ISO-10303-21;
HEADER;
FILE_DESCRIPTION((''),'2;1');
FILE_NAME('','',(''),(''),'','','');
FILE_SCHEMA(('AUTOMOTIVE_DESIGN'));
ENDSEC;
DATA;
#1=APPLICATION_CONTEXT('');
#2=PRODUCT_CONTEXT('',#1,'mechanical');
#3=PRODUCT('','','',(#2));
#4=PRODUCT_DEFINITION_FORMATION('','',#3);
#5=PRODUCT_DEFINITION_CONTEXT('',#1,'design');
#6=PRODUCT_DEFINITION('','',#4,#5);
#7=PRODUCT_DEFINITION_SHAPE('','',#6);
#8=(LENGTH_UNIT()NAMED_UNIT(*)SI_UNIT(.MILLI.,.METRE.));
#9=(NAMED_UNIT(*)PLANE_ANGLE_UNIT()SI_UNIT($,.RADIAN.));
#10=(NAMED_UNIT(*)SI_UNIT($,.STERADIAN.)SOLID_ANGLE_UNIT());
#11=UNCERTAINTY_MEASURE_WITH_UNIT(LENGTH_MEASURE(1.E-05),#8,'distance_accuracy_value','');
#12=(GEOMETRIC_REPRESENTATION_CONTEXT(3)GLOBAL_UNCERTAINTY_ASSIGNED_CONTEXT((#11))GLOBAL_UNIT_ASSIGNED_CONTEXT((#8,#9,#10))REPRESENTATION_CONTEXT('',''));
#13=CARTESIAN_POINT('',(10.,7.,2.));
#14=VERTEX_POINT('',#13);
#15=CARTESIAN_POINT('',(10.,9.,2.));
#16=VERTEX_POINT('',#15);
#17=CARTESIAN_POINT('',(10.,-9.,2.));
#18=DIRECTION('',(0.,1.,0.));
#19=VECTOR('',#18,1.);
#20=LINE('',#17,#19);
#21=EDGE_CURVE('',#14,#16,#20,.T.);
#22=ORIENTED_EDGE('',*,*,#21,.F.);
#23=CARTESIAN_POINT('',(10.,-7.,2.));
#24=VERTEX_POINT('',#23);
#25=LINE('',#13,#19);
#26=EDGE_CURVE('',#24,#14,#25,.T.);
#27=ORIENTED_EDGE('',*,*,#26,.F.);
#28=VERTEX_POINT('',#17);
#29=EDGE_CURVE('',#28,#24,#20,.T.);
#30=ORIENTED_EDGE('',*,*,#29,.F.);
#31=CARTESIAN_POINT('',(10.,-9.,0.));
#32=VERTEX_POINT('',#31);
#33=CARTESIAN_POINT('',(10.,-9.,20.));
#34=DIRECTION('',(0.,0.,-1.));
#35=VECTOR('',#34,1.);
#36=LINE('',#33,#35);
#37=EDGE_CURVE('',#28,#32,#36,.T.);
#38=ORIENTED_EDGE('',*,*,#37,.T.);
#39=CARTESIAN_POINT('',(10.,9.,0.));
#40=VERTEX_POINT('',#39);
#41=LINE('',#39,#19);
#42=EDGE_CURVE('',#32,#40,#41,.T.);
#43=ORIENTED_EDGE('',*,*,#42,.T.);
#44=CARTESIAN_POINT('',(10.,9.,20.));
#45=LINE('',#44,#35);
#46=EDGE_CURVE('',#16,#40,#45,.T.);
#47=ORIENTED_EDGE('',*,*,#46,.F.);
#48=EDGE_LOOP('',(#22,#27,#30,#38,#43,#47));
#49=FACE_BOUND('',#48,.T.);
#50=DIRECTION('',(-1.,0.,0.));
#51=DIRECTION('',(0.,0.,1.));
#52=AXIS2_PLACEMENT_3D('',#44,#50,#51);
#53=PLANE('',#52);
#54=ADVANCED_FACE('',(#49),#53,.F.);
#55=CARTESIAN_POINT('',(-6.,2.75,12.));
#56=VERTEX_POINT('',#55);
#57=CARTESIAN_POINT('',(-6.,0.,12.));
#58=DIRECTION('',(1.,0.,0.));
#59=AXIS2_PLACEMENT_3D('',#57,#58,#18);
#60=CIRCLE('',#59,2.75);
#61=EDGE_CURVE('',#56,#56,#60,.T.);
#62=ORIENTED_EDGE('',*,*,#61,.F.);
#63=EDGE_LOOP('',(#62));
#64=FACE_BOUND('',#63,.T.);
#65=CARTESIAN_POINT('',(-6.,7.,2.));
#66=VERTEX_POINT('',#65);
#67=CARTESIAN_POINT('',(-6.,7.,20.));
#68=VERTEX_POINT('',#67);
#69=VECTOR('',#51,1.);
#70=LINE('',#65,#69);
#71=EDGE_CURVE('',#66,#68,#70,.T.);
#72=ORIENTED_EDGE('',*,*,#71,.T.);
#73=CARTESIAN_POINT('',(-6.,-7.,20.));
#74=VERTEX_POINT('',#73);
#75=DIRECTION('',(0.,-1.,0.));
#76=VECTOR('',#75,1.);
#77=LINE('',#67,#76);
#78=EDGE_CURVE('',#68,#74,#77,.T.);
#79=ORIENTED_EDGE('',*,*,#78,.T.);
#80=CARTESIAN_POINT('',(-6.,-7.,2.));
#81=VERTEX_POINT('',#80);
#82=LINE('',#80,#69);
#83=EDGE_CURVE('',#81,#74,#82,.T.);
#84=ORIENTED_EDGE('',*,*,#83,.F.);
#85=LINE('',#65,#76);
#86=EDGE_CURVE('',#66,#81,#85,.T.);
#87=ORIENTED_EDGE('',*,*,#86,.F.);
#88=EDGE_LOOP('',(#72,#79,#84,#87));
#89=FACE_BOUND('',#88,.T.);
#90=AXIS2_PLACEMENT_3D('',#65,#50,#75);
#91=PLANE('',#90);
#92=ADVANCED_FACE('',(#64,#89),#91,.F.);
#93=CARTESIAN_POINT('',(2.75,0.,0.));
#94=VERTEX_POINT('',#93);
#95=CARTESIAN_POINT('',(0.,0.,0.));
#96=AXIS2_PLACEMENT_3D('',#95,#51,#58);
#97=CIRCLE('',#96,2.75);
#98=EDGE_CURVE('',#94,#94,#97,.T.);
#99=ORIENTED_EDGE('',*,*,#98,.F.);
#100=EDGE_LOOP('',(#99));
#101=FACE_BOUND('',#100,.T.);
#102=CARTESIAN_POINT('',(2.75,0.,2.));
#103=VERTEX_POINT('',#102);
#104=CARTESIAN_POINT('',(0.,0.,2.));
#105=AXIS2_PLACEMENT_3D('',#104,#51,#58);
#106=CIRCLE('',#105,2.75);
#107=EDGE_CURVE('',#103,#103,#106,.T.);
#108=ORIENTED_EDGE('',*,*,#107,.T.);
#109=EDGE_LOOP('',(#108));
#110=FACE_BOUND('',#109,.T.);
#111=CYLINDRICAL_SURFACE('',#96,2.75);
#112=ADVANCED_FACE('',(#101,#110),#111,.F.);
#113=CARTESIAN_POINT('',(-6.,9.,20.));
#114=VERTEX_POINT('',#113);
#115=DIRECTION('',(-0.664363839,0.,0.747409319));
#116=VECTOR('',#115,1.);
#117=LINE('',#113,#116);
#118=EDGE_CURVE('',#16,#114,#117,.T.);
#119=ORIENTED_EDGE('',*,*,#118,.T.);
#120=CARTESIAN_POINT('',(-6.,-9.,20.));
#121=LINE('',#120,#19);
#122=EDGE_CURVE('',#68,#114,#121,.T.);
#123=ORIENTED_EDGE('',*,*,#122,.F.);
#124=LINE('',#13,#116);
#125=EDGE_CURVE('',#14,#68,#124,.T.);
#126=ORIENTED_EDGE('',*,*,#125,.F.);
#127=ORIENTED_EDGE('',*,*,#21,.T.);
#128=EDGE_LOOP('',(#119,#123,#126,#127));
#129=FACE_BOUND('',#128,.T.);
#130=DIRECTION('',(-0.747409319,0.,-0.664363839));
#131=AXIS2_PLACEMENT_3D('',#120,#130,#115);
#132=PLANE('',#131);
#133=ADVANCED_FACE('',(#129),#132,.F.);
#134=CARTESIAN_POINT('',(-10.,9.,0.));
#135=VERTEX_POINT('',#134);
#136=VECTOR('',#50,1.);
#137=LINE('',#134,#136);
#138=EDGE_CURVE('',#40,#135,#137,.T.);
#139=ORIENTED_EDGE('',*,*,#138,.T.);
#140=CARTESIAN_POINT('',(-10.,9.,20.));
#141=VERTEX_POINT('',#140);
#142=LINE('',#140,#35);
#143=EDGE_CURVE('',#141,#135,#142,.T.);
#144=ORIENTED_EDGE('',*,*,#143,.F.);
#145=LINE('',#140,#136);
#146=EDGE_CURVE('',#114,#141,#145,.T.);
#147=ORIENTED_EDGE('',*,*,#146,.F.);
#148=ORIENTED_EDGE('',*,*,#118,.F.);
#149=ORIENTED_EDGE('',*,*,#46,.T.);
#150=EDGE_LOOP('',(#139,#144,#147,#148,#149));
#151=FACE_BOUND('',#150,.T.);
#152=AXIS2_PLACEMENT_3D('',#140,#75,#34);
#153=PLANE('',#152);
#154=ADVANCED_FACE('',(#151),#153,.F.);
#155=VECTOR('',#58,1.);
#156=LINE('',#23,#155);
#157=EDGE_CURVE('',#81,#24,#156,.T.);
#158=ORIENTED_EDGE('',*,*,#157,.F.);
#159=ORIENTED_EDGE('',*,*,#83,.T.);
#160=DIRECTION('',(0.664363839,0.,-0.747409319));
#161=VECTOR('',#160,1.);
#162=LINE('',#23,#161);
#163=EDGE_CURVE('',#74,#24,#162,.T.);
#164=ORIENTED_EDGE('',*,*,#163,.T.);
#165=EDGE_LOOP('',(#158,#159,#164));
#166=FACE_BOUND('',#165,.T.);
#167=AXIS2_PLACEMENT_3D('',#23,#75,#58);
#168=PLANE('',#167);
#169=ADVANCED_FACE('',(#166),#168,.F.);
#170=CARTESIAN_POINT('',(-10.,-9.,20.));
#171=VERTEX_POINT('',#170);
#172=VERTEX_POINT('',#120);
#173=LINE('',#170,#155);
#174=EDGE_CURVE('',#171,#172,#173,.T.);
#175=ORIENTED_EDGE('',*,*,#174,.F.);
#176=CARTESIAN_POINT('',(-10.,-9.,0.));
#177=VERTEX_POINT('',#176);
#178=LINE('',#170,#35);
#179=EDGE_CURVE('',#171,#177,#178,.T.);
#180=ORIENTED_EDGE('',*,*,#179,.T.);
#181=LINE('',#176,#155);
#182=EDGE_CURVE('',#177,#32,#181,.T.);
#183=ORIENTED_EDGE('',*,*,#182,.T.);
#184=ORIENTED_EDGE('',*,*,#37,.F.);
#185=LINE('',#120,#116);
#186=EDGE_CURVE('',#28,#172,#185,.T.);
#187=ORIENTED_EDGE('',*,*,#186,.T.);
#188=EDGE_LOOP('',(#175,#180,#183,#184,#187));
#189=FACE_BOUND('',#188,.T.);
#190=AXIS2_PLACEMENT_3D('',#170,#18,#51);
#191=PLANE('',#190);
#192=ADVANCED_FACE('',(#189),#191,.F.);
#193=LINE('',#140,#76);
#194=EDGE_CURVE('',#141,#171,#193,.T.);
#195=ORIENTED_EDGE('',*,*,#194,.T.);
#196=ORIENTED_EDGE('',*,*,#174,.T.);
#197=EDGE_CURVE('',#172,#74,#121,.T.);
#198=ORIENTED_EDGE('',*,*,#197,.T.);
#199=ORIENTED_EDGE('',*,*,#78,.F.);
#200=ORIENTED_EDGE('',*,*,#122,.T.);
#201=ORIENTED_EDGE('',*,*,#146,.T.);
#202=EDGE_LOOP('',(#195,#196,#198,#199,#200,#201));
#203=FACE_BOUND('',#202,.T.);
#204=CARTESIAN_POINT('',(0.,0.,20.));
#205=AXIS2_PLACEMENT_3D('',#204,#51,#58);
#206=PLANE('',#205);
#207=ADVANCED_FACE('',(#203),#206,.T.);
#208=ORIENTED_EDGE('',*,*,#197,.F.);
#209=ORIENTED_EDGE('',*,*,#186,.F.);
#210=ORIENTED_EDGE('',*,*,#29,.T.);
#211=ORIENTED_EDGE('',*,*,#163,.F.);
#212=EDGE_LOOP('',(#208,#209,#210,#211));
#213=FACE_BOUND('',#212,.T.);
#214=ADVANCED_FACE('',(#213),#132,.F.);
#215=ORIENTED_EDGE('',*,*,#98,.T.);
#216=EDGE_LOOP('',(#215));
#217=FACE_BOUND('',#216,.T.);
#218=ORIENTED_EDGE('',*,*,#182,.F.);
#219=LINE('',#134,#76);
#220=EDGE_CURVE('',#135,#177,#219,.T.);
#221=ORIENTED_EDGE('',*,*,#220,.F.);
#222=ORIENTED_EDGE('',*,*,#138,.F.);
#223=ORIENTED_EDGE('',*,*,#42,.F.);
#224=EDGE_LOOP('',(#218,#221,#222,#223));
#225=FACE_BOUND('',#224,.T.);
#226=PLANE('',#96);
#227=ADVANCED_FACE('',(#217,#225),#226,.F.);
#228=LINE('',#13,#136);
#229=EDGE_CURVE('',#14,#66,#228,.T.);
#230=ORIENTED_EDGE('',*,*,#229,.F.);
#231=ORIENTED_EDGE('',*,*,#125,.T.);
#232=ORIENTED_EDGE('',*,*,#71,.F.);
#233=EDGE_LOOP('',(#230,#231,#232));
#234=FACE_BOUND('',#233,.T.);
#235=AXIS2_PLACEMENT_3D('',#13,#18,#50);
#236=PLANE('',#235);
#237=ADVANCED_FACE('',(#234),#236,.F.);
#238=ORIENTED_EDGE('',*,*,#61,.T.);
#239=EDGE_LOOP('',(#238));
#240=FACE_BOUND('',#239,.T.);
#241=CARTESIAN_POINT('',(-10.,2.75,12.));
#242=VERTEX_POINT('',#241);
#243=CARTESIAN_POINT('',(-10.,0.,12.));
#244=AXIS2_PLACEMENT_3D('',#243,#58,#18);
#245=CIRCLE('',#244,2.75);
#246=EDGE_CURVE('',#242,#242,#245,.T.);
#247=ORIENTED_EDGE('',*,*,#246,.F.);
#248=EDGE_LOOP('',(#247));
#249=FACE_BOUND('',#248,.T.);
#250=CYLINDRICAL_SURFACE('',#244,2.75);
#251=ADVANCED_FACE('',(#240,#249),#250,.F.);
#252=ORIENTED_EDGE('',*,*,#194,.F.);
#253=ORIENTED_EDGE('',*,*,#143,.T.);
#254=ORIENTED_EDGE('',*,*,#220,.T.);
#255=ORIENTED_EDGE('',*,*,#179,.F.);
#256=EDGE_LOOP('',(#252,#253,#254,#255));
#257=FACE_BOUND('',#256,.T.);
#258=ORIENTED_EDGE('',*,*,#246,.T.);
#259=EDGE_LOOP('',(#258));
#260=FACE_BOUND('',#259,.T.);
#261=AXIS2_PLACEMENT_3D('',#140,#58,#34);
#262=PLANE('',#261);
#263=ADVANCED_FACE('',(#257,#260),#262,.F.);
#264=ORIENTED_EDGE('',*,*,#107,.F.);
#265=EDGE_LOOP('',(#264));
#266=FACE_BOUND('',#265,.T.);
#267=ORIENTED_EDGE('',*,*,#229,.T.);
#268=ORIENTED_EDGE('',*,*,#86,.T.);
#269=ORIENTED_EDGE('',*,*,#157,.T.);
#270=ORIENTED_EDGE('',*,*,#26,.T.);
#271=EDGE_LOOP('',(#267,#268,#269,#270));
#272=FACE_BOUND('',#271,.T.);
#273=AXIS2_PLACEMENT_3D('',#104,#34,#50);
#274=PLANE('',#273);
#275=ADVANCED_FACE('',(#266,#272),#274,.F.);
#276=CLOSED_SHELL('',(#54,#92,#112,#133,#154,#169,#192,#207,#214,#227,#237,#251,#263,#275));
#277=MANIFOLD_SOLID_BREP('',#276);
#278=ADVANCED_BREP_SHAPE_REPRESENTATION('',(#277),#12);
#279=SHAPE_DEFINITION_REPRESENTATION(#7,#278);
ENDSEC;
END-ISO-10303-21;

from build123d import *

# Parameters (mm, degrees)
SKETCH_1_W               = 20
SKETCH_1_H               = 18
EXTRUDE_1_DEPTH          = 20
SKETCH_2_W               = 16
SKETCH_2_H               = 14
CUT_EXTRUDE_1_DEPTH      = 18
CUT_EXTRUDE_2_DEPTH      = 28.49545417
CUT_EXTRUDE_2_DEPTH_BACK = 28.49545417
CUT_EXTRUDE_3_DEPTH      = 23.472205054
CUT_EXTRUDE_3_DEPTH_BACK = 23.472205054
SKETCH_5_R               = 2.75
CUT_EXTRUDE_4_DEPTH      = 28.147743921
CUT_EXTRUDE_4_DEPTH_BACK = 28.147743921
SKETCH_6_R               = 2.75


with BuildPart() as part:
    # 스케치1 → 보스-돌출1 (new body)
    with BuildSketch(Plane.XY):
        Rectangle(SKETCH_1_W, SKETCH_1_H)
    extrude(amount=EXTRUDE_1_DEPTH)

    # 스케치2 → 컷-돌출1 (cut)
    with BuildSketch(Plane.XY.offset(20)):
        with Locations((2, 0)):
            Rectangle(SKETCH_2_W, SKETCH_2_H)
    extrude(amount=-CUT_EXTRUDE_1_DEPTH, mode=Mode.SUBTRACT)

    # 스케치4 → 컷-돌출2 (cut, two sides: drawn at the far end of the back side and taken through both)
    with BuildSketch(Plane(origin=(0, -7, 0), x_dir=(1, 0, 0), z_dir=(0, 1, 0)).offset(-CUT_EXTRUDE_2_DEPTH_BACK)):
        Polygon((-6, -20), (10, -2), (10, -20), align=None)
    extrude(amount=CUT_EXTRUDE_2_DEPTH + CUT_EXTRUDE_2_DEPTH_BACK, mode=Mode.SUBTRACT)

    # 스케치5 → 컷-돌출3 (cut, two sides: drawn at the far end of the back side and taken through both)
    with BuildSketch(Plane.XY.offset(2).offset(-CUT_EXTRUDE_3_DEPTH_BACK)):
        Circle(SKETCH_5_R)
    extrude(amount=CUT_EXTRUDE_3_DEPTH + CUT_EXTRUDE_3_DEPTH_BACK, mode=Mode.SUBTRACT)

    # 스케치6 → 컷-돌출4 (cut, two sides: drawn at the far end of the back side and taken through both)
    with BuildSketch(Plane(origin=(-6, 0, 0), x_dir=(0, 0, -1), z_dir=(1, 0, 0)).offset(-CUT_EXTRUDE_4_DEPTH_BACK)):
        with Locations(Location((-12, 0, 0), (0, 0, 90))):
            Circle(SKETCH_6_R)
    extrude(amount=CUT_EXTRUDE_4_DEPTH + CUT_EXTRUDE_4_DEPTH_BACK, mode=Mode.SUBTRACT)


solid = part.part
